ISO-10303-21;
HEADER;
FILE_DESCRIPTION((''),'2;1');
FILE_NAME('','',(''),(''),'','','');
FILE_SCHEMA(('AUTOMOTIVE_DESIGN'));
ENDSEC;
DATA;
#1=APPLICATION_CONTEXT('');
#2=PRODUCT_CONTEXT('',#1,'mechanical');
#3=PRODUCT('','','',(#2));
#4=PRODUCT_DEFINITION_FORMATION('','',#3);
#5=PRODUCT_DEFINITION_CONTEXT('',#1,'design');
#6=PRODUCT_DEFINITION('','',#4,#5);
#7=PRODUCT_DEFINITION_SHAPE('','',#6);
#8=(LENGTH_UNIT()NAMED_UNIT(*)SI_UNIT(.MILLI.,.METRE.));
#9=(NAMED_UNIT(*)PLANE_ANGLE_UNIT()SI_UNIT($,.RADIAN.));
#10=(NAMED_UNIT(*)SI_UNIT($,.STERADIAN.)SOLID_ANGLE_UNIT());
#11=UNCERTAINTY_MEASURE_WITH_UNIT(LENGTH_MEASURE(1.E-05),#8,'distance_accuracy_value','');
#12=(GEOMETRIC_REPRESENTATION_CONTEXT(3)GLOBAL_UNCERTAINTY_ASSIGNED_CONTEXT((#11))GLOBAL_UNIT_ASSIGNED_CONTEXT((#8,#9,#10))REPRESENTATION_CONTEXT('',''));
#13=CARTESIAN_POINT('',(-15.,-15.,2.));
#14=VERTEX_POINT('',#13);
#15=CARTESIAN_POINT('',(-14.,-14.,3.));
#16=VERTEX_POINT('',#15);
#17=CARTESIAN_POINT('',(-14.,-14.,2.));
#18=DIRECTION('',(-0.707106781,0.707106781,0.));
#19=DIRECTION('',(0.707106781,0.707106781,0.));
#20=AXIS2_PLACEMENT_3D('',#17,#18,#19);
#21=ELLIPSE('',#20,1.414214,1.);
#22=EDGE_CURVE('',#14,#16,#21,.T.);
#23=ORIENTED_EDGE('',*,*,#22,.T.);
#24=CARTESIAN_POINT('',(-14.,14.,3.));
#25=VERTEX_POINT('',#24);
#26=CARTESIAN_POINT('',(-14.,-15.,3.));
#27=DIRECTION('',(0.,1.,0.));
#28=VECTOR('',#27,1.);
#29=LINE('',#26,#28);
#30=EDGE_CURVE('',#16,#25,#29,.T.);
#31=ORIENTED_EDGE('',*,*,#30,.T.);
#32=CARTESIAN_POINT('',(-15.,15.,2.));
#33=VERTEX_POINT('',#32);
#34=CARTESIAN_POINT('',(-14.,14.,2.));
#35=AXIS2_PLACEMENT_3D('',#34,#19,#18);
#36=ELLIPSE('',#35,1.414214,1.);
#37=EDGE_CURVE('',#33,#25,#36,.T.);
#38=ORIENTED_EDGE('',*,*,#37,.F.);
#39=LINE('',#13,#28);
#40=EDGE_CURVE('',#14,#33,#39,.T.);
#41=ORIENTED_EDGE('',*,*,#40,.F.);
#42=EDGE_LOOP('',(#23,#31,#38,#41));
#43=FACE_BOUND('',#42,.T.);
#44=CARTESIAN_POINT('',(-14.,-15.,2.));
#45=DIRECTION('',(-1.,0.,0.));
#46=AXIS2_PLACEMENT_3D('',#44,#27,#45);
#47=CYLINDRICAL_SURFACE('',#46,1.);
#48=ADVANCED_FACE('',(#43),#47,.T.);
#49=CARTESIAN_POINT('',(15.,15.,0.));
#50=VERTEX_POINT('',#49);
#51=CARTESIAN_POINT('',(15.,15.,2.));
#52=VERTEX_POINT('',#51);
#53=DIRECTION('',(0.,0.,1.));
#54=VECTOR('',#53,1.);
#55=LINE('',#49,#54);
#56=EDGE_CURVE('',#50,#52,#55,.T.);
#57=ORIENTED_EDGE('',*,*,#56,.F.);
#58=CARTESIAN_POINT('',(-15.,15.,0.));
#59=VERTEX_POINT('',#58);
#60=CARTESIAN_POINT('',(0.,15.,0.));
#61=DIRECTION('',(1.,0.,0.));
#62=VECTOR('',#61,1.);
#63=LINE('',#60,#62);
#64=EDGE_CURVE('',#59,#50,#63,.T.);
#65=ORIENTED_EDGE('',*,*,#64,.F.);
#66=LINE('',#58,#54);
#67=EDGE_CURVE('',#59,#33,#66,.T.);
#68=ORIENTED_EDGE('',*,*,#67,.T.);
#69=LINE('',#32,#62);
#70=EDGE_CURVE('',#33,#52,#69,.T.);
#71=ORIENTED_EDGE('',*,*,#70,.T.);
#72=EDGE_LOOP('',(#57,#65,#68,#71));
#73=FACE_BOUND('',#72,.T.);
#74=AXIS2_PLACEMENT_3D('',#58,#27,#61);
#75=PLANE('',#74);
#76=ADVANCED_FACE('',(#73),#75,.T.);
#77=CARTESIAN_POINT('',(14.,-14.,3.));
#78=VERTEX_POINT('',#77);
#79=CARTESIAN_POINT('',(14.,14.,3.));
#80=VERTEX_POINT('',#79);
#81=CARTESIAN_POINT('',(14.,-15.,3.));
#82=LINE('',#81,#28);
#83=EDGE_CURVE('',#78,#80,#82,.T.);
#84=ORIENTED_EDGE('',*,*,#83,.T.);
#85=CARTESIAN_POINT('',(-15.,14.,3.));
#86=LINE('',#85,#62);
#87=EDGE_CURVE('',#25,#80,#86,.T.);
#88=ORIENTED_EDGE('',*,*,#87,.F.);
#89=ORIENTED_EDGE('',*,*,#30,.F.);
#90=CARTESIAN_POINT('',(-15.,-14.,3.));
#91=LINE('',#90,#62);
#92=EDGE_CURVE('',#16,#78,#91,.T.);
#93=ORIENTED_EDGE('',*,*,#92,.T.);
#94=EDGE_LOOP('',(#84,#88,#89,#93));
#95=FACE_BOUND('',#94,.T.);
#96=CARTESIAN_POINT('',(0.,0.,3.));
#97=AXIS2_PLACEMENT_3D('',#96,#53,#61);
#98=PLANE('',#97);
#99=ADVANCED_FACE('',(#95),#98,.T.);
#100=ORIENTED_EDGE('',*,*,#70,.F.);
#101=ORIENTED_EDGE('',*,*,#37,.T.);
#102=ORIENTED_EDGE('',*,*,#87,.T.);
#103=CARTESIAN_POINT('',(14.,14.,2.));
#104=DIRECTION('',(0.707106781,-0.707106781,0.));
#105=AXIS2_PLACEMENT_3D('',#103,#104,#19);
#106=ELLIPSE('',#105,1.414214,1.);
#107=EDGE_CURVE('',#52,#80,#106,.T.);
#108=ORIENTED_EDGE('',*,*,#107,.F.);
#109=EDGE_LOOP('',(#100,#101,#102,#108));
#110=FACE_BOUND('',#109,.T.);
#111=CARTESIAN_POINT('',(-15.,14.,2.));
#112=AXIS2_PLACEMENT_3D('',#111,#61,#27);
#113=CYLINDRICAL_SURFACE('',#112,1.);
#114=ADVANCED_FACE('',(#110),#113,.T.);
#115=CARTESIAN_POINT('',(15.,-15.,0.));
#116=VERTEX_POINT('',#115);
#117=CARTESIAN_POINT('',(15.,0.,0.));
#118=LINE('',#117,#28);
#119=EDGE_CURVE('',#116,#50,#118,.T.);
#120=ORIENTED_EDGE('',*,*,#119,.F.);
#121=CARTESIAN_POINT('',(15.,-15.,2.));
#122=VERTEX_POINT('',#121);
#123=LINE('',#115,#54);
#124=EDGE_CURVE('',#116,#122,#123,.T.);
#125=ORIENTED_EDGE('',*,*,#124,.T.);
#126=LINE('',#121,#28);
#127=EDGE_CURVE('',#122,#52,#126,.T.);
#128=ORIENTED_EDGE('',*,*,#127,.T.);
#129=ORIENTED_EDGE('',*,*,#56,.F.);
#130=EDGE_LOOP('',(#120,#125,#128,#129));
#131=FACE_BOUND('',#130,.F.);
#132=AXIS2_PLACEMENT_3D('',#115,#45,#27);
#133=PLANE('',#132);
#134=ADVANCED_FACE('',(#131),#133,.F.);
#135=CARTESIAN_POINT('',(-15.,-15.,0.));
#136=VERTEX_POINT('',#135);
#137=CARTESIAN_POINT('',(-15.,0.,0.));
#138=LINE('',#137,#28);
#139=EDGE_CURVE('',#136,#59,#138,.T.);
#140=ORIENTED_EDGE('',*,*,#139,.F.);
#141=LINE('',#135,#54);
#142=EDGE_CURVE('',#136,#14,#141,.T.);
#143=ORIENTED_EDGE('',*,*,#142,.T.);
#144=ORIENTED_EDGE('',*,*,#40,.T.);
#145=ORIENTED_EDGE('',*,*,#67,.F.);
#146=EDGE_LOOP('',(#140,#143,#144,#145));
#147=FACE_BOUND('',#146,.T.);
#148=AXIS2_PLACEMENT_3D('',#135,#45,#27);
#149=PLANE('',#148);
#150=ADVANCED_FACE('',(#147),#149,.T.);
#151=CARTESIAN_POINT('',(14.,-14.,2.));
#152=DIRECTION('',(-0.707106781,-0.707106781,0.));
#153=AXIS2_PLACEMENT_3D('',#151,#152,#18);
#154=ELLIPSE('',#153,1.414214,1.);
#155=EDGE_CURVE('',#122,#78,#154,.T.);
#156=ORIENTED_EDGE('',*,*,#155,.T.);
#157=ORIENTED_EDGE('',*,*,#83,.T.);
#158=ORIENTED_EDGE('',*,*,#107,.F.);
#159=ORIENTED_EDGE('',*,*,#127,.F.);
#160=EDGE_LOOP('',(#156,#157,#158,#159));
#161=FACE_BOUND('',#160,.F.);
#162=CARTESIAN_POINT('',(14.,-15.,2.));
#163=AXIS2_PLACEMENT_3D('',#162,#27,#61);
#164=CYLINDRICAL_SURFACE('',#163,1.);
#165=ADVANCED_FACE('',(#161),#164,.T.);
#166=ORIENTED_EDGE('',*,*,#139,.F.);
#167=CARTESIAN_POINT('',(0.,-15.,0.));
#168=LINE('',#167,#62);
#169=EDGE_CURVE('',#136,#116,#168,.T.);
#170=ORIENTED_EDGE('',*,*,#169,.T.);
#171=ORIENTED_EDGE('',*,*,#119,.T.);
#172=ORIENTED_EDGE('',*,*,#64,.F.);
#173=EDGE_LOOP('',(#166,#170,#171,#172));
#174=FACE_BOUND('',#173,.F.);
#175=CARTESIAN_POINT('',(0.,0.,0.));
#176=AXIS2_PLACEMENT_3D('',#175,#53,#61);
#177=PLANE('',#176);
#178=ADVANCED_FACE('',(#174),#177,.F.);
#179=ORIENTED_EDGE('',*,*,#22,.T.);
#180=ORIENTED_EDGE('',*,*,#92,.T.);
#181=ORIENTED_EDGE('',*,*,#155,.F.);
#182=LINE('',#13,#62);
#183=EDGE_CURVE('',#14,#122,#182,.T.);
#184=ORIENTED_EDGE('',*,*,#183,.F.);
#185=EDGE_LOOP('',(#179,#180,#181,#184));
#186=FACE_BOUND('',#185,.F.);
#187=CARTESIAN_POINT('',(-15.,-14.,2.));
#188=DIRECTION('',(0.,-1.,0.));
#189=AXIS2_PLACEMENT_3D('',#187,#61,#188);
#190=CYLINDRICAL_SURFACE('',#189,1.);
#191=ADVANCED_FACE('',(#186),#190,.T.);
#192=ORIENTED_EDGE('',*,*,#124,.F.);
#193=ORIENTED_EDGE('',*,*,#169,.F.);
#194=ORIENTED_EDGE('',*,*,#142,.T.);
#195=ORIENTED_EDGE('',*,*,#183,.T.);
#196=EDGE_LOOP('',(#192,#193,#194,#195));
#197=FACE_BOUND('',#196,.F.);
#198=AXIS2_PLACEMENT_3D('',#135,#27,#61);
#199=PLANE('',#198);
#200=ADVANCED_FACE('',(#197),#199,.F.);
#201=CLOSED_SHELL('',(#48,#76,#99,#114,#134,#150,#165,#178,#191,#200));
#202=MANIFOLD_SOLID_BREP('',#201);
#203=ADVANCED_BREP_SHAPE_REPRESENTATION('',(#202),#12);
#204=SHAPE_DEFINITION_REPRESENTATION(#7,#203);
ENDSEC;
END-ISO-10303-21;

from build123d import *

# Parameters (mm, degrees)
SKETCH_W  = 30
SKETCH_H  = 30
PAD_DEPTH = 3
FILLET_R  = 1


with BuildPart() as part:
    # Sketch → Pad (new body)
    with BuildSketch(Plane.XY):
        Rectangle(SKETCH_W, SKETCH_H)
    extrude(amount=PAD_DEPTH)

    # Fillet
    fillet_edges = [part.edges().sort_by_distance(p)[0] for p in [
        (15, 0, 3),
        (0, -15, 3),
        (-15, 0, 3),
        (0, 15, 3),
    ]]
    fillet(fillet_edges, radius=FILLET_R)


solid = part.part
